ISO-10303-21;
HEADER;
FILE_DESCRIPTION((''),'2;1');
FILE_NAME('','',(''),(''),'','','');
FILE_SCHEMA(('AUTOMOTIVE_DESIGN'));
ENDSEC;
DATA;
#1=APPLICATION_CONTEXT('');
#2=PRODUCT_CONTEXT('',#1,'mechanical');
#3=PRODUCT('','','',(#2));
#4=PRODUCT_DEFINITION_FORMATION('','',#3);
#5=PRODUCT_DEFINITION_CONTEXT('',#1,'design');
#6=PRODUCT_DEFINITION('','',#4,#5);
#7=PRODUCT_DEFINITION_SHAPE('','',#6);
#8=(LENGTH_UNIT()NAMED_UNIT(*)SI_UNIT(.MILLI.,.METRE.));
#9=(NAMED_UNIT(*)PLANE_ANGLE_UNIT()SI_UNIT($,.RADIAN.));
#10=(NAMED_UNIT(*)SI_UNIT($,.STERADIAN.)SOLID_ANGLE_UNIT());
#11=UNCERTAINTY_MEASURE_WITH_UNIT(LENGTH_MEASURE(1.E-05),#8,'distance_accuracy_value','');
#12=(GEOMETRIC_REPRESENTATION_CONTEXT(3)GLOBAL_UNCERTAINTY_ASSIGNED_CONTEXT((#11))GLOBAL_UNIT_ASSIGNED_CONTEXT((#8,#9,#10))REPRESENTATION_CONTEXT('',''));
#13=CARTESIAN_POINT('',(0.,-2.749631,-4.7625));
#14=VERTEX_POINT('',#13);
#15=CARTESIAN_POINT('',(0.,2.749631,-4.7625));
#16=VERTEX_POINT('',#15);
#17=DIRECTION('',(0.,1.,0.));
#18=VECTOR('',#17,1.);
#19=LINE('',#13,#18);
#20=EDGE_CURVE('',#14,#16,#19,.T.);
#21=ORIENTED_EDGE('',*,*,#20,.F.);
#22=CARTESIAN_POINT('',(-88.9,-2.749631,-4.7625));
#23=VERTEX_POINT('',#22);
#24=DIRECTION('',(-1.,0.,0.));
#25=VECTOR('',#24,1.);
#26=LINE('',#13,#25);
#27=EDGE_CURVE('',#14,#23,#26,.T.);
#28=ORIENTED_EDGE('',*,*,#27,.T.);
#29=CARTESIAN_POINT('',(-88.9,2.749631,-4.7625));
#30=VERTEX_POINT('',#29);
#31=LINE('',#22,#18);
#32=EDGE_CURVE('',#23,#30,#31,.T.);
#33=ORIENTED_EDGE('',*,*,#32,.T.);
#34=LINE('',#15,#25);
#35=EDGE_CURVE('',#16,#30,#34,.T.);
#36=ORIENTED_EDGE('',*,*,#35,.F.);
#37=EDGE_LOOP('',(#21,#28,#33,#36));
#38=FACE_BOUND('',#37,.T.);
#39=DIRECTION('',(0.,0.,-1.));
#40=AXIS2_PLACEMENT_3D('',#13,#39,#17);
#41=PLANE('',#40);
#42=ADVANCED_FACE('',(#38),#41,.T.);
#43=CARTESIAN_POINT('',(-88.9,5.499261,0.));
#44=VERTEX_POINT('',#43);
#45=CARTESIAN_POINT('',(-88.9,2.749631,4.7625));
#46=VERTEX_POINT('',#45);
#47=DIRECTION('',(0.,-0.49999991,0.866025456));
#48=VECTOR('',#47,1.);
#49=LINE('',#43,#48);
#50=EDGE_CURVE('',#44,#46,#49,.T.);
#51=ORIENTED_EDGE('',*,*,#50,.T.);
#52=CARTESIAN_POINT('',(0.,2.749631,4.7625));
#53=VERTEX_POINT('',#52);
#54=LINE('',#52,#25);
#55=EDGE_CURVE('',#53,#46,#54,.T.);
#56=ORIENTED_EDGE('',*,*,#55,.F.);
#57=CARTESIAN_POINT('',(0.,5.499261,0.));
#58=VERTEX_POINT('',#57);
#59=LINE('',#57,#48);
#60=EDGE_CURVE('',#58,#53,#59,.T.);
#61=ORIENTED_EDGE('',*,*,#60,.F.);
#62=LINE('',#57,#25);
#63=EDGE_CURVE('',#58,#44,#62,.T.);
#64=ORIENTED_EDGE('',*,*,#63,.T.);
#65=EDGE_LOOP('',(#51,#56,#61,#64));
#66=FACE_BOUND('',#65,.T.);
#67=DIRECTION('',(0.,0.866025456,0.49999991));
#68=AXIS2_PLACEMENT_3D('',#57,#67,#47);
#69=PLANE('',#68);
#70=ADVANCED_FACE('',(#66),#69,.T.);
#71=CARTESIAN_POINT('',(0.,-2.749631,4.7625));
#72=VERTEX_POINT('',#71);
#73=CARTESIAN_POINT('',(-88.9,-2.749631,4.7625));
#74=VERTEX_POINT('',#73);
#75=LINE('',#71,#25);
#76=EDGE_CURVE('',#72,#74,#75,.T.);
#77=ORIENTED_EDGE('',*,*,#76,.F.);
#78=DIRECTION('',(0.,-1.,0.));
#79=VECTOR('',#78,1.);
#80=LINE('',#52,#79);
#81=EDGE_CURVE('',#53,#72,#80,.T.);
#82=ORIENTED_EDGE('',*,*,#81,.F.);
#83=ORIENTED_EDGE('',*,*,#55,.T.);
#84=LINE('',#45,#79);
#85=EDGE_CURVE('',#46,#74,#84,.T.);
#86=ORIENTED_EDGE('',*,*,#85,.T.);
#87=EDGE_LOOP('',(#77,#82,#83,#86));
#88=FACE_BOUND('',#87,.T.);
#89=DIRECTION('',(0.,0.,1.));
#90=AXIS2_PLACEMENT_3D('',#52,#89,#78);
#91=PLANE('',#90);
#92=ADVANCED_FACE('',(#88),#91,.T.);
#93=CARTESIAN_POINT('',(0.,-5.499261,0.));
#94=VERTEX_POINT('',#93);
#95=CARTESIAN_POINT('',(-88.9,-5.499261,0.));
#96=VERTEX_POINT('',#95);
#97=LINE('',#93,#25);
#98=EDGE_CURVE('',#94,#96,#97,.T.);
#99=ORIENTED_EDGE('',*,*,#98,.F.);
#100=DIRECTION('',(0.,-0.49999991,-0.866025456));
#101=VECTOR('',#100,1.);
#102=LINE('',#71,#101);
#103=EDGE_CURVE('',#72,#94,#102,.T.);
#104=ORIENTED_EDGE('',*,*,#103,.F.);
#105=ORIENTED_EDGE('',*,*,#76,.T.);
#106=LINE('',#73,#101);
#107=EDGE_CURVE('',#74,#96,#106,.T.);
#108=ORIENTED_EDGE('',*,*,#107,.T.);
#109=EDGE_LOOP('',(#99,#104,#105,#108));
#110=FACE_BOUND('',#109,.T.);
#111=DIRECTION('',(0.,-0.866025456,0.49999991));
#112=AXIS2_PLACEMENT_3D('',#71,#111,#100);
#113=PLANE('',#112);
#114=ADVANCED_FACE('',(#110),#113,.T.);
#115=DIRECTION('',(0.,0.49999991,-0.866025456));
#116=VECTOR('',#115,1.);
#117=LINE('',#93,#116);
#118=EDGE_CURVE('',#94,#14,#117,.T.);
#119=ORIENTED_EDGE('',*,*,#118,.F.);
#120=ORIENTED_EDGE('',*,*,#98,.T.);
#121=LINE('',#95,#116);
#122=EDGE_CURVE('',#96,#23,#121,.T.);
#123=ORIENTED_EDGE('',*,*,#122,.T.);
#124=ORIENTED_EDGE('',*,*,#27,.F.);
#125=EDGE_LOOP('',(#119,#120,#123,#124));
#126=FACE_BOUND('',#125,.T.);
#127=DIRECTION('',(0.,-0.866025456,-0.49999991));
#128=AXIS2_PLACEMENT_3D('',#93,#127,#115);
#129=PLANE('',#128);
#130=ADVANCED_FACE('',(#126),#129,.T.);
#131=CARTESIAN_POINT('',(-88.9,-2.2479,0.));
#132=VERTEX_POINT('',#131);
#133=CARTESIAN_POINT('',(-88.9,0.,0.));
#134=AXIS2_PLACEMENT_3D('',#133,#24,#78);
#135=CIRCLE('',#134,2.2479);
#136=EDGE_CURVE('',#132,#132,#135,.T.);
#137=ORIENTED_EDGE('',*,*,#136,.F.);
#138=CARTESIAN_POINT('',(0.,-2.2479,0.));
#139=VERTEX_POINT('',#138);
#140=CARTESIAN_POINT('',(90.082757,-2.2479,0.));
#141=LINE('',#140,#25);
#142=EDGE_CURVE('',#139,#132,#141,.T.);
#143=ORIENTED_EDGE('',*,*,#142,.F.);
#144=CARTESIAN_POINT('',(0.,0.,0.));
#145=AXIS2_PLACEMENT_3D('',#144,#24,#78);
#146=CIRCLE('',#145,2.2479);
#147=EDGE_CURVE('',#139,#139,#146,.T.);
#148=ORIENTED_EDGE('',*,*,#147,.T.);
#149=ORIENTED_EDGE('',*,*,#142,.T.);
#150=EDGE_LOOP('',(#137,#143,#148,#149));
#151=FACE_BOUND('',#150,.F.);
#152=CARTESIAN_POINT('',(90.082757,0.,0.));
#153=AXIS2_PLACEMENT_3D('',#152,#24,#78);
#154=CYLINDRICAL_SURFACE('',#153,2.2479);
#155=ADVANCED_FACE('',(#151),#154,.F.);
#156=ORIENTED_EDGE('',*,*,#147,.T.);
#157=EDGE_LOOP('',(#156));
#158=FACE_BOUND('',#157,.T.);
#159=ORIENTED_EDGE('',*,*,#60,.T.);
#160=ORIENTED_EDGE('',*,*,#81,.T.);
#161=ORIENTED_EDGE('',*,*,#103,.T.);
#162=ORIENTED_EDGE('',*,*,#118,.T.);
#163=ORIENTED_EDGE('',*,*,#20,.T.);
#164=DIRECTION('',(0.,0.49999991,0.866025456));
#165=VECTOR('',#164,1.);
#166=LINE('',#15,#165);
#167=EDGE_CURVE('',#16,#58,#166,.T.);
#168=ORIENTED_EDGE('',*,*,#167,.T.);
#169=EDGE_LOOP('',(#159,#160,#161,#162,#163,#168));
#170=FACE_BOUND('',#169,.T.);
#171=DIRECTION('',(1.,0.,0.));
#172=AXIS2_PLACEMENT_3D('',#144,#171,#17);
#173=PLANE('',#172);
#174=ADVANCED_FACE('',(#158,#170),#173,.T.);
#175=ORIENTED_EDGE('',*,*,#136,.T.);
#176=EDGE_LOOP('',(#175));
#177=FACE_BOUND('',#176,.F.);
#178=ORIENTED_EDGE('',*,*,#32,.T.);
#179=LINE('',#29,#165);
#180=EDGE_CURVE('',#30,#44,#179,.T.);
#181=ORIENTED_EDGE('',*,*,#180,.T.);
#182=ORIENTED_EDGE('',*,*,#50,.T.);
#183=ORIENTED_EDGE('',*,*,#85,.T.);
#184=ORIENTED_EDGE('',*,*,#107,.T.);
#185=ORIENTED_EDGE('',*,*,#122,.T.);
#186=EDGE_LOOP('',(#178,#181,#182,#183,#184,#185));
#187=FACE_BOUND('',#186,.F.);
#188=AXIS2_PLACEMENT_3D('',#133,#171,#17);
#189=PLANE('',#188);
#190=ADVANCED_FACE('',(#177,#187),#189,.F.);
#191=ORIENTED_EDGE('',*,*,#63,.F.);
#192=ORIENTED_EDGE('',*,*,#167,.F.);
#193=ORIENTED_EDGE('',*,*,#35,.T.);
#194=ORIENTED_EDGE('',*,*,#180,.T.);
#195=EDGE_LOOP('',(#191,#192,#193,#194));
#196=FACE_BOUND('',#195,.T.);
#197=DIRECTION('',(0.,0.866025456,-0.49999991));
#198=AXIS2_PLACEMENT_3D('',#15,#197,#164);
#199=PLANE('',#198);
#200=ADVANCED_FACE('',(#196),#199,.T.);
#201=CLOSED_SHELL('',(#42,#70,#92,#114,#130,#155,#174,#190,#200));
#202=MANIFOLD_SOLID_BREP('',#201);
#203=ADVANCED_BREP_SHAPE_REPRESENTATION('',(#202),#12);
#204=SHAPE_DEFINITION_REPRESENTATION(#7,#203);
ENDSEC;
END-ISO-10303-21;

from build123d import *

# Parameters (mm, degrees)
F1_DEPTH = 88.9
F3_D     = 4.4958


with BuildPart() as f1:
    # F0 (on Right) → F1 (new body)
    with BuildSketch(Plane.YZ):
        Polygon((5.499261, 0), (2.749631, 4.7625), (-2.749631, 4.7625), (-5.499261, 0), (-2.749631, -4.7625), (2.749631, -4.7625), align=None)
    extrude(amount=-F1_DEPTH)

    # F3 (through all)
    with Locations(Plane.YZ):
        with Locations((0, 0)):
            Hole(F3_D / 2)


solid = f1.part
